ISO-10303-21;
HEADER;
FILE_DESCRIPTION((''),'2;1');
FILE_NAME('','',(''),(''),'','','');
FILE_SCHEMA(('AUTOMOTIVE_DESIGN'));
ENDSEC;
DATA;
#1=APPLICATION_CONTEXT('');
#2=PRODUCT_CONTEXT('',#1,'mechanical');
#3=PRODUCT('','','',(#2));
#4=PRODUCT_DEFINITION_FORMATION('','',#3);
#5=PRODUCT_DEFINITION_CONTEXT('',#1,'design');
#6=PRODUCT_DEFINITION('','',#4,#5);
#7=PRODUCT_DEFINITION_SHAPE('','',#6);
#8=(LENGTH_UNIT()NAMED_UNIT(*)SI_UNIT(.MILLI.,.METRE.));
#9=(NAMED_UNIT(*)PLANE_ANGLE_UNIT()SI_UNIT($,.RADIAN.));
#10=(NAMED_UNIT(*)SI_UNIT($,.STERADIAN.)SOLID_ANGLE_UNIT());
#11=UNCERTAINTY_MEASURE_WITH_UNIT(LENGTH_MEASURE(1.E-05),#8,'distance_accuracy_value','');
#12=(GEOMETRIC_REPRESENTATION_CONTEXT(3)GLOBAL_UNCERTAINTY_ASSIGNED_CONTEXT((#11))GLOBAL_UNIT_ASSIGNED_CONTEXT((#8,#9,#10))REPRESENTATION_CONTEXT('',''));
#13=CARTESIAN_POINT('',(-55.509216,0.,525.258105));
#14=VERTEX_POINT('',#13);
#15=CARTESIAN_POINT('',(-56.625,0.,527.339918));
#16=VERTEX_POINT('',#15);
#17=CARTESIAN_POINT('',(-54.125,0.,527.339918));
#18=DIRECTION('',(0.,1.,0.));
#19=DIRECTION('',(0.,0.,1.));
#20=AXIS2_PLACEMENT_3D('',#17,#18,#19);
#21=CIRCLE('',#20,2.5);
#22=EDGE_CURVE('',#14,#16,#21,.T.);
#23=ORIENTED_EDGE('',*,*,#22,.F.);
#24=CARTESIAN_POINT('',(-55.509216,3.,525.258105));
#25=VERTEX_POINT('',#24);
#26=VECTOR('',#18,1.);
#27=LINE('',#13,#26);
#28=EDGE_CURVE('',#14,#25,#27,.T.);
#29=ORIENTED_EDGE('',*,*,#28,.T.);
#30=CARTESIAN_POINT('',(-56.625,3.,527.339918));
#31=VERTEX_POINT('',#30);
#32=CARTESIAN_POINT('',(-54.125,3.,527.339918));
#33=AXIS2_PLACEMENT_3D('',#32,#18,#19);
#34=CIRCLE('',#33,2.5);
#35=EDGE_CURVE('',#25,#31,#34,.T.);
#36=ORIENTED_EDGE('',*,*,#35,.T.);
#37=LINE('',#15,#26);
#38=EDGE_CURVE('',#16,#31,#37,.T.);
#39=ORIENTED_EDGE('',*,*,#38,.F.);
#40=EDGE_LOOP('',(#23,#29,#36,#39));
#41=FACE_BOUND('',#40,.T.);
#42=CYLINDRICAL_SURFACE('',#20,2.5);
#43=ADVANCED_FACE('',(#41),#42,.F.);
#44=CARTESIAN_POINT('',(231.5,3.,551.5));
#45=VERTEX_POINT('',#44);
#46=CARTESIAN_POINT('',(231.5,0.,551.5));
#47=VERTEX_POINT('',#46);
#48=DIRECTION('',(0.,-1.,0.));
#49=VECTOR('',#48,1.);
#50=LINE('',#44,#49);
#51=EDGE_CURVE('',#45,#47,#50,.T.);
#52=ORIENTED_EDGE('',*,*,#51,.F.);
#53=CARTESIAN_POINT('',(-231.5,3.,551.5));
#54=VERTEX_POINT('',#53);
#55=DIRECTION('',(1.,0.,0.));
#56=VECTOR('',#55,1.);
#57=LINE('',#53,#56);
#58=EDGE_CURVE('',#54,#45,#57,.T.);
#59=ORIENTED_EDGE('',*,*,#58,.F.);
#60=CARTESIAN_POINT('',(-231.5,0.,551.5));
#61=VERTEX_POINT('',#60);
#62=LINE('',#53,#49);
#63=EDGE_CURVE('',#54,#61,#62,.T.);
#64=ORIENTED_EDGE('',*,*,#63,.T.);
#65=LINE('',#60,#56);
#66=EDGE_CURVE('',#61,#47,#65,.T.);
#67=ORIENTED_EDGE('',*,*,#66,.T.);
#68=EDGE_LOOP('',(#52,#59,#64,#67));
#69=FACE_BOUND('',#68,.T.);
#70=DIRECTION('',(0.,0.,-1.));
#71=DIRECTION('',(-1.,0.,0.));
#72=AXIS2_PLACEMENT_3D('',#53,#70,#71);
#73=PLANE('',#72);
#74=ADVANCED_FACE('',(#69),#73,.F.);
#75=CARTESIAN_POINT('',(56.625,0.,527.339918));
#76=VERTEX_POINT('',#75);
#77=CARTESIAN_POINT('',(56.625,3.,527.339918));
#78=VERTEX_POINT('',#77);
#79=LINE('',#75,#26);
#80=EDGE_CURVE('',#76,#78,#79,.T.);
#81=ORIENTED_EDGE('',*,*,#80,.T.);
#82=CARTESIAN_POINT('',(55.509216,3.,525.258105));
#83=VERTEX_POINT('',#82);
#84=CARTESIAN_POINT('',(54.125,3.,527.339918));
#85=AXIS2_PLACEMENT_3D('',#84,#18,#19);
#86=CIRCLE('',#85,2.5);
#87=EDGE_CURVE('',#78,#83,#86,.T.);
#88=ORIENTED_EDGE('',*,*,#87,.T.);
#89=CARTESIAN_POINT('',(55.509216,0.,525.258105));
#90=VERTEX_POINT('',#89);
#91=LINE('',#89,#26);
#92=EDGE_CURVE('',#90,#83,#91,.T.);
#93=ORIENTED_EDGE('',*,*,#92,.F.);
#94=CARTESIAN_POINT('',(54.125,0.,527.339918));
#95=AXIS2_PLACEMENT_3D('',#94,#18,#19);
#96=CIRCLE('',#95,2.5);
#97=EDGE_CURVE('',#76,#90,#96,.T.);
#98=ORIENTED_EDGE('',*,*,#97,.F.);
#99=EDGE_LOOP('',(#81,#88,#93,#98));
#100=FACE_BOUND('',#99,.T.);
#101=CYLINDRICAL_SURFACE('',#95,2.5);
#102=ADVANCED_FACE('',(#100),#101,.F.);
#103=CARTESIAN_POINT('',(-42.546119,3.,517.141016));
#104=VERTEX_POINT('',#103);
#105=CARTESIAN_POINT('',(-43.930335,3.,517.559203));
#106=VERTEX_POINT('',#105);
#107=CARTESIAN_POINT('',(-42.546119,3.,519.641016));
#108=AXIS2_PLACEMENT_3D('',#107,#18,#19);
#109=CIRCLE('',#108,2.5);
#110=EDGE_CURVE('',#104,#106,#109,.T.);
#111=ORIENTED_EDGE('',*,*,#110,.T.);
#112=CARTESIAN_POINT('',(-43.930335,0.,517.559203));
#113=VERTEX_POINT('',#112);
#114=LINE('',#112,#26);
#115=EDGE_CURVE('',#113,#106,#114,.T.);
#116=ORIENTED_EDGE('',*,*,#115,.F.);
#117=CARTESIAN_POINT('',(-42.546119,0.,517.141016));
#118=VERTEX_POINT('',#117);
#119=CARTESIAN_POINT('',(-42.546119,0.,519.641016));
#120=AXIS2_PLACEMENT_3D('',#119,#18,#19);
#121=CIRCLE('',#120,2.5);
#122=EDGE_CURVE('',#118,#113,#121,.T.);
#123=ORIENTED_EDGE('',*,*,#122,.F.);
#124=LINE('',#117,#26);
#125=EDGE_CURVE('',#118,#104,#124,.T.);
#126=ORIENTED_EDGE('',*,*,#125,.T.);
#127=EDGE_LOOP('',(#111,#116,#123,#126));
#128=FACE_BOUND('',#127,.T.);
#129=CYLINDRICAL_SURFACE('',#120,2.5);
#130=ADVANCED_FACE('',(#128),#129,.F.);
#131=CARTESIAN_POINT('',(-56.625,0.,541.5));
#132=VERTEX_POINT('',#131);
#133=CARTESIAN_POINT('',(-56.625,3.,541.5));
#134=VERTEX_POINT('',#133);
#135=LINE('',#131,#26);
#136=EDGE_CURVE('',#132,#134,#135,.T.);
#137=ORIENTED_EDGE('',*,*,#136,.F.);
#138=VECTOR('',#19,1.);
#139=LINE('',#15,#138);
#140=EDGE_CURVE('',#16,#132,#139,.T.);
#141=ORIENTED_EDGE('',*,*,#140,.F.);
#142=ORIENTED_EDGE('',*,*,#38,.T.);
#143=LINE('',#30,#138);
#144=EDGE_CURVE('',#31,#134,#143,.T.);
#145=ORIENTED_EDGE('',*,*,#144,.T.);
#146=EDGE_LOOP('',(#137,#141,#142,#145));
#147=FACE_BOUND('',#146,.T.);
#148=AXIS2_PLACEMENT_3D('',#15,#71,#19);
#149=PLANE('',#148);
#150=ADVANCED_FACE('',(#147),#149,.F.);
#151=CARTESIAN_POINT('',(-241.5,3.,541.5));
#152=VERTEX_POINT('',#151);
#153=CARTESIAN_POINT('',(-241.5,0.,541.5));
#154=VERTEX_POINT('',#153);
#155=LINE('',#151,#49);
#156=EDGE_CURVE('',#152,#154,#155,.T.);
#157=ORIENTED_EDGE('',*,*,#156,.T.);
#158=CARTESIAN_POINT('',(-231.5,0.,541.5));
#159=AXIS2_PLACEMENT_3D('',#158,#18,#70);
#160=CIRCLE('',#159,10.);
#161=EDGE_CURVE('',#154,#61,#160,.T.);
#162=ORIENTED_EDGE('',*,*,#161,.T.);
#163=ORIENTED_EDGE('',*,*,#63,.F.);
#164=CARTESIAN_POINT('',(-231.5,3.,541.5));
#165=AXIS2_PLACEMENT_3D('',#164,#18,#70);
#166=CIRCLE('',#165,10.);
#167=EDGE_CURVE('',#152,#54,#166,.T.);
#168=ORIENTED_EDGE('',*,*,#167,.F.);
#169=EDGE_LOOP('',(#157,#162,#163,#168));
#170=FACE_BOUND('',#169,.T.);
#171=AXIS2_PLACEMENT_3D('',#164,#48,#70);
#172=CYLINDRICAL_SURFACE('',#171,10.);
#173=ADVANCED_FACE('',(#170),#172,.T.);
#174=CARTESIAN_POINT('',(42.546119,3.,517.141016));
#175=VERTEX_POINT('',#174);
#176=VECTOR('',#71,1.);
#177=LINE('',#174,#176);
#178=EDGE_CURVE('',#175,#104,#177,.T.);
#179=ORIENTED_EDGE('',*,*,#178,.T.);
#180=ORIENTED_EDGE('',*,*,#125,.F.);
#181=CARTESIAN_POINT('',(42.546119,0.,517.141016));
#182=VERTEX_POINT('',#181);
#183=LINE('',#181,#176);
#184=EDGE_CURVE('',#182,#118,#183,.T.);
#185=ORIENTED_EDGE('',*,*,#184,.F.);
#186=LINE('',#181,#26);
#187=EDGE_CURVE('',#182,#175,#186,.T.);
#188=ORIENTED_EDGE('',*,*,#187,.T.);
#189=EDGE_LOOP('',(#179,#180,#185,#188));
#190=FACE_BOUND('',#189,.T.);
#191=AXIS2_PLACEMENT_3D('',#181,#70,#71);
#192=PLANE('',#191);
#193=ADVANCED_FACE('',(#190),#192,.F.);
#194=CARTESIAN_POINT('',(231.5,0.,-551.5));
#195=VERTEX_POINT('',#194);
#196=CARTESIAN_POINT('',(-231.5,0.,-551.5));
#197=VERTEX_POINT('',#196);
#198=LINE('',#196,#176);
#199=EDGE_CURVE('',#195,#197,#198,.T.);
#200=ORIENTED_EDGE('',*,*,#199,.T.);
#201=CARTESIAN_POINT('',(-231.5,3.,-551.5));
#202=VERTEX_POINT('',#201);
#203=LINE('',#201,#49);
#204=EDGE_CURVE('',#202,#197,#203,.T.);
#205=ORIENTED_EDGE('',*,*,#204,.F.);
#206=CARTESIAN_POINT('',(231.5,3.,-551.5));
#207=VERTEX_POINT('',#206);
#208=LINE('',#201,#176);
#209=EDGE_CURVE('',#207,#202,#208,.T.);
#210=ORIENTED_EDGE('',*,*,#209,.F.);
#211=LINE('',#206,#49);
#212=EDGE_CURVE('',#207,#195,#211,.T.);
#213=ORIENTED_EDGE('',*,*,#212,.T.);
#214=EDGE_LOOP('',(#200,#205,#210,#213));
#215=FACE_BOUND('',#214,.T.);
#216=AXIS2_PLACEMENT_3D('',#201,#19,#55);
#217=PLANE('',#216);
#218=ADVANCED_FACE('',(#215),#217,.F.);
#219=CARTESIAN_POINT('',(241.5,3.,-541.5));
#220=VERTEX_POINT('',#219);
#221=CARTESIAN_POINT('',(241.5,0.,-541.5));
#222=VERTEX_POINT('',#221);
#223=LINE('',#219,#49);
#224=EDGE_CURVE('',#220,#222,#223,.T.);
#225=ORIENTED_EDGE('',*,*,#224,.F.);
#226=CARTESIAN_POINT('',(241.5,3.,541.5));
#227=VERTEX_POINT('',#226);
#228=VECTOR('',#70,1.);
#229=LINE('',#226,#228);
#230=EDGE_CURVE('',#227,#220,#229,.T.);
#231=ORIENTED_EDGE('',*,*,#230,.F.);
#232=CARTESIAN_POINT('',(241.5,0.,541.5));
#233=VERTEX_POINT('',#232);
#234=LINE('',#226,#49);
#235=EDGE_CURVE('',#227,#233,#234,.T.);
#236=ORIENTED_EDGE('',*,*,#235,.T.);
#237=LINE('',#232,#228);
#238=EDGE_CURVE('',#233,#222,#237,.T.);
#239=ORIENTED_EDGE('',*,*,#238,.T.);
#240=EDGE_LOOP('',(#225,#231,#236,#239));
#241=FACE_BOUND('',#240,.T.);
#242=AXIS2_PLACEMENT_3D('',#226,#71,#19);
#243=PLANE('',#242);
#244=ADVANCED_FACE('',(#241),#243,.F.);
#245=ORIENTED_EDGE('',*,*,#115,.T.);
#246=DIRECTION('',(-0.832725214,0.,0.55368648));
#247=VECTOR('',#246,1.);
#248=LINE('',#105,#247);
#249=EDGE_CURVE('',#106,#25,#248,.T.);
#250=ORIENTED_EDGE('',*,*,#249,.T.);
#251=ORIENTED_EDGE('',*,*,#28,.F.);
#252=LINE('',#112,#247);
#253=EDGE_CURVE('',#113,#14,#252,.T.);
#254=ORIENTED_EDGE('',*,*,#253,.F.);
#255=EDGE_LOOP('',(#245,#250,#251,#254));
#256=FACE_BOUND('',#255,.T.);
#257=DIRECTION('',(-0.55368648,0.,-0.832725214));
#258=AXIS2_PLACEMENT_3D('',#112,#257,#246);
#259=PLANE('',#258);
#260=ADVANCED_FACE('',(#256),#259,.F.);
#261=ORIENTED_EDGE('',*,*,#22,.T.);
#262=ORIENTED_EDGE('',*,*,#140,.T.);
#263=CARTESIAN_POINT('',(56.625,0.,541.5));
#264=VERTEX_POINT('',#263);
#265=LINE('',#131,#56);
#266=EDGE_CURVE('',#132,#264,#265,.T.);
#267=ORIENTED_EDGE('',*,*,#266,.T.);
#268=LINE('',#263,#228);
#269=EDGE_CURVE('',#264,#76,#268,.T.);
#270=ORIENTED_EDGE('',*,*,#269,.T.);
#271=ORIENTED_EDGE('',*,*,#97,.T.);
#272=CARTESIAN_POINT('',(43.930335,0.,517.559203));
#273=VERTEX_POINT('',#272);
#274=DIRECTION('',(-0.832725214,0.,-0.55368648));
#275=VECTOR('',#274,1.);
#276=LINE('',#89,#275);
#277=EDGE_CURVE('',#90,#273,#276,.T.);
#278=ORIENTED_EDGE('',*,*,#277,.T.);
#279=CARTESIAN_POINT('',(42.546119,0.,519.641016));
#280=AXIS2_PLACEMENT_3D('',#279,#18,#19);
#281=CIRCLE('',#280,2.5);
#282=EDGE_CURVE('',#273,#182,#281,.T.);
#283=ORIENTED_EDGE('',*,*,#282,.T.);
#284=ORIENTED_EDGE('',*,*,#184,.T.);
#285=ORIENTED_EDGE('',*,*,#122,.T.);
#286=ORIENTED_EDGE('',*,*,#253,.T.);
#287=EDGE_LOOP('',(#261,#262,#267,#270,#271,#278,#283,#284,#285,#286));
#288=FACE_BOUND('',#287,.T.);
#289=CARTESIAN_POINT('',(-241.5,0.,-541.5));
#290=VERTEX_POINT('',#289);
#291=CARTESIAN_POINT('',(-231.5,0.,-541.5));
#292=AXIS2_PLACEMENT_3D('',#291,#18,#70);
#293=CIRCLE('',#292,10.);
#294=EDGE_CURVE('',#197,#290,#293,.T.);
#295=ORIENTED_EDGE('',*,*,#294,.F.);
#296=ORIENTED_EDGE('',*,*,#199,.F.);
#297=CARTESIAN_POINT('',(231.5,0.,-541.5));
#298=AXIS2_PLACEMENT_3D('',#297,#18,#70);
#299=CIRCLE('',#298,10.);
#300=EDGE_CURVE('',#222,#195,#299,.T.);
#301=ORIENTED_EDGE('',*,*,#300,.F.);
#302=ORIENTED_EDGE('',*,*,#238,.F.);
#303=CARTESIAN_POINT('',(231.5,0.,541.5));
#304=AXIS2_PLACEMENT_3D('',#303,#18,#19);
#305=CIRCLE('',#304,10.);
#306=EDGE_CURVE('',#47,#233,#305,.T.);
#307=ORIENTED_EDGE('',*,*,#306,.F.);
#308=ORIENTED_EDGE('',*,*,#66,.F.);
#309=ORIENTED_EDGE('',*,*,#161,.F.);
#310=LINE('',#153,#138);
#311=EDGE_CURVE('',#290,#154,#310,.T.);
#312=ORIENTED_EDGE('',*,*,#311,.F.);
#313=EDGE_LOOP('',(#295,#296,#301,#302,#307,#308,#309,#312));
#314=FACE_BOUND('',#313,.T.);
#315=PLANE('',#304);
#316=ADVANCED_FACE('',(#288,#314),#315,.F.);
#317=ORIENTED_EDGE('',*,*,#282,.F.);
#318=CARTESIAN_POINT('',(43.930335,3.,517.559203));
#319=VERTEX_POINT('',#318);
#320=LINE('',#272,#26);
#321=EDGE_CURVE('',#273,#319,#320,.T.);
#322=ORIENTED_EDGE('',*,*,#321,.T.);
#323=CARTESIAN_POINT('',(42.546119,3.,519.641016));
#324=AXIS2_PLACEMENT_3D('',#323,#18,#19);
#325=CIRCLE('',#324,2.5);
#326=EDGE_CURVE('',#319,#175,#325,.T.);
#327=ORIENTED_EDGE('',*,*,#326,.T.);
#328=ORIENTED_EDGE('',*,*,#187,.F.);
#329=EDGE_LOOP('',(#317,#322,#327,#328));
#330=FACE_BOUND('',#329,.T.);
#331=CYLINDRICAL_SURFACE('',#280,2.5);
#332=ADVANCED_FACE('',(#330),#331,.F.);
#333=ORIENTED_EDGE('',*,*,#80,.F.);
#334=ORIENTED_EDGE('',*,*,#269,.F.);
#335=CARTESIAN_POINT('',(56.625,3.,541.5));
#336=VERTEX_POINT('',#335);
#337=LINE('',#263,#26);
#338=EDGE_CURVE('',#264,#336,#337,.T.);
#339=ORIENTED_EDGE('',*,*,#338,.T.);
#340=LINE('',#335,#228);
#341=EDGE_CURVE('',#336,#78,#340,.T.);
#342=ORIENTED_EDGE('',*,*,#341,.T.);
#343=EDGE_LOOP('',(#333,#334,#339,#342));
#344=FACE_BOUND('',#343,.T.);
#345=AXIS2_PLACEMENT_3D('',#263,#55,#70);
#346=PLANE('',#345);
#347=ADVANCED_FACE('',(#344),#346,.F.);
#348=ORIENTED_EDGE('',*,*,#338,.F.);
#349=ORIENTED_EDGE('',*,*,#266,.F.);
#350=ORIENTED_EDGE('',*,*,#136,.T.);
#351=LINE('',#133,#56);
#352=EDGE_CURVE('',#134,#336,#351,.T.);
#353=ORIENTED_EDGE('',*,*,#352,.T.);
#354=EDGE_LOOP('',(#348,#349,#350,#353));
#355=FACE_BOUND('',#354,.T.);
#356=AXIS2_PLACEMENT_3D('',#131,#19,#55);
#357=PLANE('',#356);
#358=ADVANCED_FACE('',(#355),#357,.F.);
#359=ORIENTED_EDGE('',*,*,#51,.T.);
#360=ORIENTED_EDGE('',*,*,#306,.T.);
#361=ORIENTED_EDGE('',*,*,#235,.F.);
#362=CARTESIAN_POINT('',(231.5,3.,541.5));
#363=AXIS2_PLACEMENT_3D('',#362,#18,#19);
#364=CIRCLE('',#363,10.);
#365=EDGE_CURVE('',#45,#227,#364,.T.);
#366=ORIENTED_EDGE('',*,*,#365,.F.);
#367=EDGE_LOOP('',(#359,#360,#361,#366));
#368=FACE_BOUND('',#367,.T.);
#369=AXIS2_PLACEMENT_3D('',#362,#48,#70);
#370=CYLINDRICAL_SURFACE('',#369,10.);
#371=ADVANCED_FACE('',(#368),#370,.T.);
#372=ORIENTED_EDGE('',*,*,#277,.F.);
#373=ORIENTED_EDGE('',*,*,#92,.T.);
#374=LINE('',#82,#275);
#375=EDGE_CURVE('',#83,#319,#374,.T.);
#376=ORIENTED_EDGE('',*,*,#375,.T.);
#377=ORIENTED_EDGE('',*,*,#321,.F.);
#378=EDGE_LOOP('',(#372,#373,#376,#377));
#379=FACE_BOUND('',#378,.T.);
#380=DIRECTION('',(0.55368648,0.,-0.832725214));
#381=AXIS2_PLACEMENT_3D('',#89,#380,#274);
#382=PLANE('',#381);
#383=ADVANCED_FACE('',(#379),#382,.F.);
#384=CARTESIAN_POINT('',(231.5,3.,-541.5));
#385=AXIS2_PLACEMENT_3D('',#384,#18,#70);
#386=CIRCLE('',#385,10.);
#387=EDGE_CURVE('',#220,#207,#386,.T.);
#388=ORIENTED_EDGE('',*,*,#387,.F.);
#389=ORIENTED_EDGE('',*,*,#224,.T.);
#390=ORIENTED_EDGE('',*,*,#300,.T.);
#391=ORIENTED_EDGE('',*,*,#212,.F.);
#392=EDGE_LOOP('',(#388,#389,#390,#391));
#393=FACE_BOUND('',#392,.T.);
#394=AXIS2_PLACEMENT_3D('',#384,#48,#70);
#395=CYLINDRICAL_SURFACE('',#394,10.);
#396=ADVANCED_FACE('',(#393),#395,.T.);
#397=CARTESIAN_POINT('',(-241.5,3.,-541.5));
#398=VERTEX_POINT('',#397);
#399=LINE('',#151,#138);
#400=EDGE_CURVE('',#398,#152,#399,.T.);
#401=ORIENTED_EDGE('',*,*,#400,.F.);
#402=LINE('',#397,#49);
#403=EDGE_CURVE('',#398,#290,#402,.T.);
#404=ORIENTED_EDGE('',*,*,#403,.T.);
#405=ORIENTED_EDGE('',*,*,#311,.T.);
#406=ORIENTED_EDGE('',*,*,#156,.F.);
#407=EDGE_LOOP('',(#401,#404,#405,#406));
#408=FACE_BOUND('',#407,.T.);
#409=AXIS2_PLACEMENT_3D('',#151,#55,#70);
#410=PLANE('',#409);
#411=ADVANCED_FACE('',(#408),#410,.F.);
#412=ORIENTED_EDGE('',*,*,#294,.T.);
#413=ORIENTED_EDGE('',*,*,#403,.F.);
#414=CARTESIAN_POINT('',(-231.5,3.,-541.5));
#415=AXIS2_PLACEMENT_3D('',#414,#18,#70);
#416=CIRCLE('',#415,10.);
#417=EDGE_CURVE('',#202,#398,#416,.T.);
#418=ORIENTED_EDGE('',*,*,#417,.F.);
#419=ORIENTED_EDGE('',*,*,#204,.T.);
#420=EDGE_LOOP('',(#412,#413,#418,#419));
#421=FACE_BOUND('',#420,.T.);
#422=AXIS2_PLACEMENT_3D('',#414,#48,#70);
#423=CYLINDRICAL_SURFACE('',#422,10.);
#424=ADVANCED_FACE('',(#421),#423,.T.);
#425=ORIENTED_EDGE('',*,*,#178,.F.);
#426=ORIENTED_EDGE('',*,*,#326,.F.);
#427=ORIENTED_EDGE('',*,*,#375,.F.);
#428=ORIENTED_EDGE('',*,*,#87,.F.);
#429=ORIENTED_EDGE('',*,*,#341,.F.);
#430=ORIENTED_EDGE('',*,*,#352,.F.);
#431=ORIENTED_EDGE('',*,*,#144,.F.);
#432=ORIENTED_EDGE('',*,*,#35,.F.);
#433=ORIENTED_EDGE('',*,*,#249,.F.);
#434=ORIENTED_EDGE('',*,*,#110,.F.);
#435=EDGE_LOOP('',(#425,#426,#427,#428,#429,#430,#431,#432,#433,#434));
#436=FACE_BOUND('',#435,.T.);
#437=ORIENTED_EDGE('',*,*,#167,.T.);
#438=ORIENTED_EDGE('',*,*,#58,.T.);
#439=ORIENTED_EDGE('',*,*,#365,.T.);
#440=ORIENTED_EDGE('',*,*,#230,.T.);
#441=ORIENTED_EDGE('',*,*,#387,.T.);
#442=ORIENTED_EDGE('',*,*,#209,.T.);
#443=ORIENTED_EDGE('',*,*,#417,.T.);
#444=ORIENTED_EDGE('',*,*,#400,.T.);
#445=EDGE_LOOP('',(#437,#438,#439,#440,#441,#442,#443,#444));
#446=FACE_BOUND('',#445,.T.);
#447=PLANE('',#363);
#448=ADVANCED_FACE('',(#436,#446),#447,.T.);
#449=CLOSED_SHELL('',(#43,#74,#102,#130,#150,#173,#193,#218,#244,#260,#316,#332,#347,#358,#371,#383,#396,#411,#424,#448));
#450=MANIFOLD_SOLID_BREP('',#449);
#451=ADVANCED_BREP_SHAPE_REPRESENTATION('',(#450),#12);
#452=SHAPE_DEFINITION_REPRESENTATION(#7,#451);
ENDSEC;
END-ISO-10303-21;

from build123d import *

# Parameters (mm, degrees)
BOSS_EXTRUDE1_DEPTH = 3
CUT_EXTRUDE1_DEPTH  = 603.06602628


with BuildPart() as part:
    # Sketch1 → Boss-Extrude1 (new body)
    with BuildSketch(Plane(origin=(0, 0, 0), x_dir=(1, 0, 0), z_dir=(0, 1, 0))):
        with BuildLine():
            Line((-231.5, -551.5), (231.5, -551.5))
            ThreePointArc((231.5, -551.5), (238.571067812, -548.571067812), (241.5, -541.5))
            Line((241.5, -541.5), (241.5, 541.5))
            ThreePointArc((241.5, 541.5), (238.571067812, 548.571067812), (231.5, 551.5))
            Line((231.5, 551.5), (-231.5, 551.5))
            ThreePointArc((-231.5, 551.5), (-238.571067812, 548.571067812), (-241.5, 541.5))
            Line((-241.5, 541.5), (-241.5, -541.5))
            ThreePointArc((-241.5, -541.5), (-238.571067812, -548.571067812), (-231.5, -551.5))
        make_face()
    extrude(amount=BOSS_EXTRUDE1_DEPTH)

    # Sketch2 → Cut-Extrude1 (cut, through all)
    with BuildSketch(Plane(origin=(0, 3, 0), x_dir=(1, 0, 0), z_dir=(0, 1, 0))):
        with BuildLine():
            Line((-56.625, -541.5), (56.625, -541.5))
            Line((56.625, -541.5), (56.625, -527.339918356))
            ThreePointArc((56.625, -527.339918356), (56.328467778, -526.158931587), (55.5092162, -525.258105322))
            Line((55.5092162, -525.258105322), (43.930335234, -517.559203283))
            ThreePointArc((43.930335234, -517.559203283), (43.269122289, -517.247845556), (42.546119034, -517.141016318))
            Line((42.546119034, -517.141016318), (-42.546119034, -517.141016318))
            ThreePointArc((-42.546119034, -517.141016318), (-43.269122289, -517.247845556), (-43.930335234, -517.559203283))
            Line((-43.930335234, -517.559203283), (-55.5092162, -525.258105322))
            ThreePointArc((-55.5092162, -525.258105322), (-56.328467778, -526.158931587), (-56.625, -527.339918356))
            Line((-56.625, -527.339918356), (-56.625, -541.5))
        make_face()
    extrude(amount=-CUT_EXTRUDE1_DEPTH, mode=Mode.SUBTRACT)


solid = part.part
